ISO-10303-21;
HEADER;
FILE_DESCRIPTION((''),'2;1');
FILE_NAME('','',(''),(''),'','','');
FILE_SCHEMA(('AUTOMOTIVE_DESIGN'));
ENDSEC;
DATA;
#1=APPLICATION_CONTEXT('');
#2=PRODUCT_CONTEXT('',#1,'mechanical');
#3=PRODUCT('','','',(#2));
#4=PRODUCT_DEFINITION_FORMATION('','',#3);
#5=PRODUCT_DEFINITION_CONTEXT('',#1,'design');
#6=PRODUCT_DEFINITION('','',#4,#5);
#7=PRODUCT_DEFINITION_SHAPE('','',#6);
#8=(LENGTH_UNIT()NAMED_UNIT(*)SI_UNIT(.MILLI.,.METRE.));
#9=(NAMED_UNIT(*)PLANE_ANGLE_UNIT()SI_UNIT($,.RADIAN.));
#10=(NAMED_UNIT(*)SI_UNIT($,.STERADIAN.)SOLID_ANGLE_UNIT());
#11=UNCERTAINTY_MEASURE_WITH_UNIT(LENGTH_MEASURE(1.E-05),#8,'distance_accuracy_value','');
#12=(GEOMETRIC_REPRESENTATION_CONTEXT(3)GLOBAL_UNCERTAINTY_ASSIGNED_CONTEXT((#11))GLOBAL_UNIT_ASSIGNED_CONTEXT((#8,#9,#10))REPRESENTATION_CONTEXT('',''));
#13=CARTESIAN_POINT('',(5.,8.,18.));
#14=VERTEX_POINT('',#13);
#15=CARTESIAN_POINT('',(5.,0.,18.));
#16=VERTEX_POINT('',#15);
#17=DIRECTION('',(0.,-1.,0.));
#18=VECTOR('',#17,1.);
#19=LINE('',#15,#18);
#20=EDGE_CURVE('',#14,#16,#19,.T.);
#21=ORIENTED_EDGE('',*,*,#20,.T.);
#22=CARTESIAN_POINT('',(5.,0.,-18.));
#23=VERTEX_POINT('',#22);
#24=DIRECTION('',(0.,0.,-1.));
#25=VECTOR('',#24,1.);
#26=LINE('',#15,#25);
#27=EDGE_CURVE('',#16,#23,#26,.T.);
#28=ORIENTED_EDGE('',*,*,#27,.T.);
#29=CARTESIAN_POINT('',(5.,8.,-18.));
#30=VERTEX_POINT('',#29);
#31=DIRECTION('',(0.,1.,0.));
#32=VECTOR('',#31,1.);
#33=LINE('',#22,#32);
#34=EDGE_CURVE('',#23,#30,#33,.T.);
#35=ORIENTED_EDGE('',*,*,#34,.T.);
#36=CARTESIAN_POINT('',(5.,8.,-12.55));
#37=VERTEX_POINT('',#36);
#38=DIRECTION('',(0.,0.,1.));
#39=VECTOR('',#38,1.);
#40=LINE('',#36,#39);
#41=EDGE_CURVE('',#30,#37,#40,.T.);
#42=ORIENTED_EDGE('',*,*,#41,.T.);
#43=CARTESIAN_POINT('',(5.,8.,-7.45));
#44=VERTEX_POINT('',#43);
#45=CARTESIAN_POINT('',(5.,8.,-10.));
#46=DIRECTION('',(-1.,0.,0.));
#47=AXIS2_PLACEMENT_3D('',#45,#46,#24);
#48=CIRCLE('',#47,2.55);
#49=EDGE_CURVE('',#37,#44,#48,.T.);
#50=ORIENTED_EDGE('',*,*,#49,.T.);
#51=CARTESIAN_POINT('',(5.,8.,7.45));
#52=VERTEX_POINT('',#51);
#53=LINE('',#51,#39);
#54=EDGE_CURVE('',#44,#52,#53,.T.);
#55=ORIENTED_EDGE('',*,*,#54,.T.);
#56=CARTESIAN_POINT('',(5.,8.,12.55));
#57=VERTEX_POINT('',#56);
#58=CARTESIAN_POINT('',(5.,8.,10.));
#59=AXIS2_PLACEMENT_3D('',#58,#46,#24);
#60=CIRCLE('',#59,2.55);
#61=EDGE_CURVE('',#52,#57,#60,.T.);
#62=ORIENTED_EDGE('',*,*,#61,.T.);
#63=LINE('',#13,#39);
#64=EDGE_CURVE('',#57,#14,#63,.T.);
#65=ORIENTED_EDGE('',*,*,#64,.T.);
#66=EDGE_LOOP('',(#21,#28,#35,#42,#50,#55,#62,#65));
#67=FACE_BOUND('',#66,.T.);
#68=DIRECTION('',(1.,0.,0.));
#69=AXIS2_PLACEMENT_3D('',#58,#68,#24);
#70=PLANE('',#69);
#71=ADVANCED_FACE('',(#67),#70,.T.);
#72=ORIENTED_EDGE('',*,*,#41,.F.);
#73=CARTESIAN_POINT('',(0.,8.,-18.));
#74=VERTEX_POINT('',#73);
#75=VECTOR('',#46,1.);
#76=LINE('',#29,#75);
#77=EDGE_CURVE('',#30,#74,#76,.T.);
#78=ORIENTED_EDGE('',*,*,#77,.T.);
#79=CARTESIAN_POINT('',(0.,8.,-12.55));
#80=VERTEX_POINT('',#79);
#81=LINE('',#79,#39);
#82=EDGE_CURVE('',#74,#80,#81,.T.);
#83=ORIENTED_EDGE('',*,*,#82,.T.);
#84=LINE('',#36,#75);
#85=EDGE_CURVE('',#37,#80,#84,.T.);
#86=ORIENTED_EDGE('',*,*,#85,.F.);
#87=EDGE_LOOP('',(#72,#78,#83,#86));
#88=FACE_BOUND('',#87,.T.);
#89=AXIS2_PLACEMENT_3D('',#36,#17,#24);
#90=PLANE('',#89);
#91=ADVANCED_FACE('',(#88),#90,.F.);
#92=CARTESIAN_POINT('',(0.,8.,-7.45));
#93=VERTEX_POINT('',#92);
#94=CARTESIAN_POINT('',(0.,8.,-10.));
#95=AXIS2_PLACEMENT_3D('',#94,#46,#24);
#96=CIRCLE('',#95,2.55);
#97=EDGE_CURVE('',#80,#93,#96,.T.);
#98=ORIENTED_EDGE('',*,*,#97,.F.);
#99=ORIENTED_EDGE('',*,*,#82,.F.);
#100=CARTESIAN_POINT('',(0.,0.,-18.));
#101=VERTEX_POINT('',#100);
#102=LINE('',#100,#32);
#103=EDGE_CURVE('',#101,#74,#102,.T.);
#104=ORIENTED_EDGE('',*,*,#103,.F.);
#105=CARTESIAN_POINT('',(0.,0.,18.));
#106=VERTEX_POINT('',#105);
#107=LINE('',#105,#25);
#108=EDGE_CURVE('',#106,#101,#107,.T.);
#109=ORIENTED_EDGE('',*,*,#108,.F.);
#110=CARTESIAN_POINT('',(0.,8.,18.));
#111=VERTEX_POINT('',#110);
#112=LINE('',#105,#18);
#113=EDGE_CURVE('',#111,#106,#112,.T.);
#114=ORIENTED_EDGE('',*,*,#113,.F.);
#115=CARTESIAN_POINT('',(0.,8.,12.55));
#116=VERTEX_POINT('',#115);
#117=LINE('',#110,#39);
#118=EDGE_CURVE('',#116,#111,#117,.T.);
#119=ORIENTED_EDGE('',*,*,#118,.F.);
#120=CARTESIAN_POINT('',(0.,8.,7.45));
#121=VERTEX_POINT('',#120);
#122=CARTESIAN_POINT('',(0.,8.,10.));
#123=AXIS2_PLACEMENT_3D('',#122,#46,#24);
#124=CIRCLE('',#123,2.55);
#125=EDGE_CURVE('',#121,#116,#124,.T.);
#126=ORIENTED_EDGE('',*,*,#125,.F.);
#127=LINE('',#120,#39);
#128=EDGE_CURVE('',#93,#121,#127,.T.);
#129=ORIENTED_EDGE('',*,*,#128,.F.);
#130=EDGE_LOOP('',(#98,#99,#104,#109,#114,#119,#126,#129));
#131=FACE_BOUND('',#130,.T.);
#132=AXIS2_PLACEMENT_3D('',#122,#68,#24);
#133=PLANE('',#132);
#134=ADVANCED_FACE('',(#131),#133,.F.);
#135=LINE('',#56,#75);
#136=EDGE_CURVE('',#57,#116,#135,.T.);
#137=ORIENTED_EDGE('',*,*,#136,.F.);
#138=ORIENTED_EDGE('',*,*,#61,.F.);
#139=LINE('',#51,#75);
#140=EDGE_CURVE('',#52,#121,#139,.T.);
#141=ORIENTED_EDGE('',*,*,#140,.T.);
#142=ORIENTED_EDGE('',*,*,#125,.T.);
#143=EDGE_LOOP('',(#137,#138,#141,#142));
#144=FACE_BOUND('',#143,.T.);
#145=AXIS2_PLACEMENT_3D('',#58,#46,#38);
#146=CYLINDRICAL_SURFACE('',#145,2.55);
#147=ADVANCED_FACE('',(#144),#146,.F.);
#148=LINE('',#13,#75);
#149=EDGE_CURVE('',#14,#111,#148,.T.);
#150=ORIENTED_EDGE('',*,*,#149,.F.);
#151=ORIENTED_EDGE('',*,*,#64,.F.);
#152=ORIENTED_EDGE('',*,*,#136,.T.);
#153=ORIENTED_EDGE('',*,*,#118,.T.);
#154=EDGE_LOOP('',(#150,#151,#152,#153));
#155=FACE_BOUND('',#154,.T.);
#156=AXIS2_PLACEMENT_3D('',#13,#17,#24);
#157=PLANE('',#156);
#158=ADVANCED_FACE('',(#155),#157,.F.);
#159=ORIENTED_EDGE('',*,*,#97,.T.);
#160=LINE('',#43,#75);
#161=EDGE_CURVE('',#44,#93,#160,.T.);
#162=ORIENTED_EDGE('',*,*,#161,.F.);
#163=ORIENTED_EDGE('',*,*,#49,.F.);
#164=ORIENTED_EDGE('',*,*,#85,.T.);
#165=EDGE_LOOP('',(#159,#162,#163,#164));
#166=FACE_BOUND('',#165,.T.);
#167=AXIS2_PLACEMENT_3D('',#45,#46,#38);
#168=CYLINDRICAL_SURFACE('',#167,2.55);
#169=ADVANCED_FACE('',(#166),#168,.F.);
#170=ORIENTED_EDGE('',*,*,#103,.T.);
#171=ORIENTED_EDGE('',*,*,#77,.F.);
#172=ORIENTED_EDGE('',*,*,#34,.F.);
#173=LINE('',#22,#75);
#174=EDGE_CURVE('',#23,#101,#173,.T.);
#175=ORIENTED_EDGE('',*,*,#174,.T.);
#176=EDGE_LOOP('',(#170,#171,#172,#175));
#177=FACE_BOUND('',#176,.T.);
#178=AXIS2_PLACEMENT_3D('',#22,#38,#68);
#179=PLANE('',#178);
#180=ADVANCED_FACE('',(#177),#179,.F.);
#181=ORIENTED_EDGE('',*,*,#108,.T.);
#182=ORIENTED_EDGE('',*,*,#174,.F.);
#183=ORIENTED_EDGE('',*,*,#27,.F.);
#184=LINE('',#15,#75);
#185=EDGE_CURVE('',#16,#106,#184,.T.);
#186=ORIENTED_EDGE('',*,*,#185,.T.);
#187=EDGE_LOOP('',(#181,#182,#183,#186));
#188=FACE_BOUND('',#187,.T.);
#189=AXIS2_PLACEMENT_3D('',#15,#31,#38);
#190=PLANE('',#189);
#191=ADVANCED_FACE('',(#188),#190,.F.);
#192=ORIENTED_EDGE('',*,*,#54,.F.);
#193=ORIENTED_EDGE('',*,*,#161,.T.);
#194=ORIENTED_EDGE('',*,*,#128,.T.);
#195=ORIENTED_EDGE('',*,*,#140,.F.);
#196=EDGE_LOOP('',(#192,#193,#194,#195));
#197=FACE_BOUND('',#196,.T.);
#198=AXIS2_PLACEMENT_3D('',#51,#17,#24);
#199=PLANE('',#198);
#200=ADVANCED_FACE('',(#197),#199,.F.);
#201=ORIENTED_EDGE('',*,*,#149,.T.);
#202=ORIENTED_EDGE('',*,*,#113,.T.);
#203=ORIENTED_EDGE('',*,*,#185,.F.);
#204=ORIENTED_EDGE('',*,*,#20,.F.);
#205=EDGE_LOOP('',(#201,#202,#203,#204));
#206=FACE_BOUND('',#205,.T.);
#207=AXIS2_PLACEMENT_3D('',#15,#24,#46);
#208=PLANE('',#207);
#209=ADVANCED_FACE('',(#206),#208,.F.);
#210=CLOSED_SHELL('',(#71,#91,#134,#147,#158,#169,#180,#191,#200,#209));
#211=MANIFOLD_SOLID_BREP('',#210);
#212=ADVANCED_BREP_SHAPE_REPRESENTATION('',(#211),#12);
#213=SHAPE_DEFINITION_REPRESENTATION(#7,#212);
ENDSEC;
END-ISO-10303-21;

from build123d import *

# Parameters (mm, degrees)
EXTRUDE_1_DEPTH = 5


with BuildPart() as part:
    # 草图2 → 凸台-拉伸1 (new body)
    with BuildSketch(Plane(origin=(0, 0, 0), x_dir=(0, 0, -1), z_dir=(1, 0, 0))):
        with BuildLine():
            Line((-7.45, 8), (7.45, 8))
            ThreePointArc((7.45, 8), (10, 5.45), (12.55, 8))
            Line((12.55, 8), (18, 8))
            Line((18, 8), (18, 0))
            Line((18, 0), (-18, 0))
            Line((-18, 0), (-18, 8))
            Line((-18, 8), (-12.55, 8))
            ThreePointArc((-12.55, 8), (-10, 5.45), (-7.45, 8))
        make_face()
    extrude(amount=EXTRUDE_1_DEPTH)


solid = part.part
